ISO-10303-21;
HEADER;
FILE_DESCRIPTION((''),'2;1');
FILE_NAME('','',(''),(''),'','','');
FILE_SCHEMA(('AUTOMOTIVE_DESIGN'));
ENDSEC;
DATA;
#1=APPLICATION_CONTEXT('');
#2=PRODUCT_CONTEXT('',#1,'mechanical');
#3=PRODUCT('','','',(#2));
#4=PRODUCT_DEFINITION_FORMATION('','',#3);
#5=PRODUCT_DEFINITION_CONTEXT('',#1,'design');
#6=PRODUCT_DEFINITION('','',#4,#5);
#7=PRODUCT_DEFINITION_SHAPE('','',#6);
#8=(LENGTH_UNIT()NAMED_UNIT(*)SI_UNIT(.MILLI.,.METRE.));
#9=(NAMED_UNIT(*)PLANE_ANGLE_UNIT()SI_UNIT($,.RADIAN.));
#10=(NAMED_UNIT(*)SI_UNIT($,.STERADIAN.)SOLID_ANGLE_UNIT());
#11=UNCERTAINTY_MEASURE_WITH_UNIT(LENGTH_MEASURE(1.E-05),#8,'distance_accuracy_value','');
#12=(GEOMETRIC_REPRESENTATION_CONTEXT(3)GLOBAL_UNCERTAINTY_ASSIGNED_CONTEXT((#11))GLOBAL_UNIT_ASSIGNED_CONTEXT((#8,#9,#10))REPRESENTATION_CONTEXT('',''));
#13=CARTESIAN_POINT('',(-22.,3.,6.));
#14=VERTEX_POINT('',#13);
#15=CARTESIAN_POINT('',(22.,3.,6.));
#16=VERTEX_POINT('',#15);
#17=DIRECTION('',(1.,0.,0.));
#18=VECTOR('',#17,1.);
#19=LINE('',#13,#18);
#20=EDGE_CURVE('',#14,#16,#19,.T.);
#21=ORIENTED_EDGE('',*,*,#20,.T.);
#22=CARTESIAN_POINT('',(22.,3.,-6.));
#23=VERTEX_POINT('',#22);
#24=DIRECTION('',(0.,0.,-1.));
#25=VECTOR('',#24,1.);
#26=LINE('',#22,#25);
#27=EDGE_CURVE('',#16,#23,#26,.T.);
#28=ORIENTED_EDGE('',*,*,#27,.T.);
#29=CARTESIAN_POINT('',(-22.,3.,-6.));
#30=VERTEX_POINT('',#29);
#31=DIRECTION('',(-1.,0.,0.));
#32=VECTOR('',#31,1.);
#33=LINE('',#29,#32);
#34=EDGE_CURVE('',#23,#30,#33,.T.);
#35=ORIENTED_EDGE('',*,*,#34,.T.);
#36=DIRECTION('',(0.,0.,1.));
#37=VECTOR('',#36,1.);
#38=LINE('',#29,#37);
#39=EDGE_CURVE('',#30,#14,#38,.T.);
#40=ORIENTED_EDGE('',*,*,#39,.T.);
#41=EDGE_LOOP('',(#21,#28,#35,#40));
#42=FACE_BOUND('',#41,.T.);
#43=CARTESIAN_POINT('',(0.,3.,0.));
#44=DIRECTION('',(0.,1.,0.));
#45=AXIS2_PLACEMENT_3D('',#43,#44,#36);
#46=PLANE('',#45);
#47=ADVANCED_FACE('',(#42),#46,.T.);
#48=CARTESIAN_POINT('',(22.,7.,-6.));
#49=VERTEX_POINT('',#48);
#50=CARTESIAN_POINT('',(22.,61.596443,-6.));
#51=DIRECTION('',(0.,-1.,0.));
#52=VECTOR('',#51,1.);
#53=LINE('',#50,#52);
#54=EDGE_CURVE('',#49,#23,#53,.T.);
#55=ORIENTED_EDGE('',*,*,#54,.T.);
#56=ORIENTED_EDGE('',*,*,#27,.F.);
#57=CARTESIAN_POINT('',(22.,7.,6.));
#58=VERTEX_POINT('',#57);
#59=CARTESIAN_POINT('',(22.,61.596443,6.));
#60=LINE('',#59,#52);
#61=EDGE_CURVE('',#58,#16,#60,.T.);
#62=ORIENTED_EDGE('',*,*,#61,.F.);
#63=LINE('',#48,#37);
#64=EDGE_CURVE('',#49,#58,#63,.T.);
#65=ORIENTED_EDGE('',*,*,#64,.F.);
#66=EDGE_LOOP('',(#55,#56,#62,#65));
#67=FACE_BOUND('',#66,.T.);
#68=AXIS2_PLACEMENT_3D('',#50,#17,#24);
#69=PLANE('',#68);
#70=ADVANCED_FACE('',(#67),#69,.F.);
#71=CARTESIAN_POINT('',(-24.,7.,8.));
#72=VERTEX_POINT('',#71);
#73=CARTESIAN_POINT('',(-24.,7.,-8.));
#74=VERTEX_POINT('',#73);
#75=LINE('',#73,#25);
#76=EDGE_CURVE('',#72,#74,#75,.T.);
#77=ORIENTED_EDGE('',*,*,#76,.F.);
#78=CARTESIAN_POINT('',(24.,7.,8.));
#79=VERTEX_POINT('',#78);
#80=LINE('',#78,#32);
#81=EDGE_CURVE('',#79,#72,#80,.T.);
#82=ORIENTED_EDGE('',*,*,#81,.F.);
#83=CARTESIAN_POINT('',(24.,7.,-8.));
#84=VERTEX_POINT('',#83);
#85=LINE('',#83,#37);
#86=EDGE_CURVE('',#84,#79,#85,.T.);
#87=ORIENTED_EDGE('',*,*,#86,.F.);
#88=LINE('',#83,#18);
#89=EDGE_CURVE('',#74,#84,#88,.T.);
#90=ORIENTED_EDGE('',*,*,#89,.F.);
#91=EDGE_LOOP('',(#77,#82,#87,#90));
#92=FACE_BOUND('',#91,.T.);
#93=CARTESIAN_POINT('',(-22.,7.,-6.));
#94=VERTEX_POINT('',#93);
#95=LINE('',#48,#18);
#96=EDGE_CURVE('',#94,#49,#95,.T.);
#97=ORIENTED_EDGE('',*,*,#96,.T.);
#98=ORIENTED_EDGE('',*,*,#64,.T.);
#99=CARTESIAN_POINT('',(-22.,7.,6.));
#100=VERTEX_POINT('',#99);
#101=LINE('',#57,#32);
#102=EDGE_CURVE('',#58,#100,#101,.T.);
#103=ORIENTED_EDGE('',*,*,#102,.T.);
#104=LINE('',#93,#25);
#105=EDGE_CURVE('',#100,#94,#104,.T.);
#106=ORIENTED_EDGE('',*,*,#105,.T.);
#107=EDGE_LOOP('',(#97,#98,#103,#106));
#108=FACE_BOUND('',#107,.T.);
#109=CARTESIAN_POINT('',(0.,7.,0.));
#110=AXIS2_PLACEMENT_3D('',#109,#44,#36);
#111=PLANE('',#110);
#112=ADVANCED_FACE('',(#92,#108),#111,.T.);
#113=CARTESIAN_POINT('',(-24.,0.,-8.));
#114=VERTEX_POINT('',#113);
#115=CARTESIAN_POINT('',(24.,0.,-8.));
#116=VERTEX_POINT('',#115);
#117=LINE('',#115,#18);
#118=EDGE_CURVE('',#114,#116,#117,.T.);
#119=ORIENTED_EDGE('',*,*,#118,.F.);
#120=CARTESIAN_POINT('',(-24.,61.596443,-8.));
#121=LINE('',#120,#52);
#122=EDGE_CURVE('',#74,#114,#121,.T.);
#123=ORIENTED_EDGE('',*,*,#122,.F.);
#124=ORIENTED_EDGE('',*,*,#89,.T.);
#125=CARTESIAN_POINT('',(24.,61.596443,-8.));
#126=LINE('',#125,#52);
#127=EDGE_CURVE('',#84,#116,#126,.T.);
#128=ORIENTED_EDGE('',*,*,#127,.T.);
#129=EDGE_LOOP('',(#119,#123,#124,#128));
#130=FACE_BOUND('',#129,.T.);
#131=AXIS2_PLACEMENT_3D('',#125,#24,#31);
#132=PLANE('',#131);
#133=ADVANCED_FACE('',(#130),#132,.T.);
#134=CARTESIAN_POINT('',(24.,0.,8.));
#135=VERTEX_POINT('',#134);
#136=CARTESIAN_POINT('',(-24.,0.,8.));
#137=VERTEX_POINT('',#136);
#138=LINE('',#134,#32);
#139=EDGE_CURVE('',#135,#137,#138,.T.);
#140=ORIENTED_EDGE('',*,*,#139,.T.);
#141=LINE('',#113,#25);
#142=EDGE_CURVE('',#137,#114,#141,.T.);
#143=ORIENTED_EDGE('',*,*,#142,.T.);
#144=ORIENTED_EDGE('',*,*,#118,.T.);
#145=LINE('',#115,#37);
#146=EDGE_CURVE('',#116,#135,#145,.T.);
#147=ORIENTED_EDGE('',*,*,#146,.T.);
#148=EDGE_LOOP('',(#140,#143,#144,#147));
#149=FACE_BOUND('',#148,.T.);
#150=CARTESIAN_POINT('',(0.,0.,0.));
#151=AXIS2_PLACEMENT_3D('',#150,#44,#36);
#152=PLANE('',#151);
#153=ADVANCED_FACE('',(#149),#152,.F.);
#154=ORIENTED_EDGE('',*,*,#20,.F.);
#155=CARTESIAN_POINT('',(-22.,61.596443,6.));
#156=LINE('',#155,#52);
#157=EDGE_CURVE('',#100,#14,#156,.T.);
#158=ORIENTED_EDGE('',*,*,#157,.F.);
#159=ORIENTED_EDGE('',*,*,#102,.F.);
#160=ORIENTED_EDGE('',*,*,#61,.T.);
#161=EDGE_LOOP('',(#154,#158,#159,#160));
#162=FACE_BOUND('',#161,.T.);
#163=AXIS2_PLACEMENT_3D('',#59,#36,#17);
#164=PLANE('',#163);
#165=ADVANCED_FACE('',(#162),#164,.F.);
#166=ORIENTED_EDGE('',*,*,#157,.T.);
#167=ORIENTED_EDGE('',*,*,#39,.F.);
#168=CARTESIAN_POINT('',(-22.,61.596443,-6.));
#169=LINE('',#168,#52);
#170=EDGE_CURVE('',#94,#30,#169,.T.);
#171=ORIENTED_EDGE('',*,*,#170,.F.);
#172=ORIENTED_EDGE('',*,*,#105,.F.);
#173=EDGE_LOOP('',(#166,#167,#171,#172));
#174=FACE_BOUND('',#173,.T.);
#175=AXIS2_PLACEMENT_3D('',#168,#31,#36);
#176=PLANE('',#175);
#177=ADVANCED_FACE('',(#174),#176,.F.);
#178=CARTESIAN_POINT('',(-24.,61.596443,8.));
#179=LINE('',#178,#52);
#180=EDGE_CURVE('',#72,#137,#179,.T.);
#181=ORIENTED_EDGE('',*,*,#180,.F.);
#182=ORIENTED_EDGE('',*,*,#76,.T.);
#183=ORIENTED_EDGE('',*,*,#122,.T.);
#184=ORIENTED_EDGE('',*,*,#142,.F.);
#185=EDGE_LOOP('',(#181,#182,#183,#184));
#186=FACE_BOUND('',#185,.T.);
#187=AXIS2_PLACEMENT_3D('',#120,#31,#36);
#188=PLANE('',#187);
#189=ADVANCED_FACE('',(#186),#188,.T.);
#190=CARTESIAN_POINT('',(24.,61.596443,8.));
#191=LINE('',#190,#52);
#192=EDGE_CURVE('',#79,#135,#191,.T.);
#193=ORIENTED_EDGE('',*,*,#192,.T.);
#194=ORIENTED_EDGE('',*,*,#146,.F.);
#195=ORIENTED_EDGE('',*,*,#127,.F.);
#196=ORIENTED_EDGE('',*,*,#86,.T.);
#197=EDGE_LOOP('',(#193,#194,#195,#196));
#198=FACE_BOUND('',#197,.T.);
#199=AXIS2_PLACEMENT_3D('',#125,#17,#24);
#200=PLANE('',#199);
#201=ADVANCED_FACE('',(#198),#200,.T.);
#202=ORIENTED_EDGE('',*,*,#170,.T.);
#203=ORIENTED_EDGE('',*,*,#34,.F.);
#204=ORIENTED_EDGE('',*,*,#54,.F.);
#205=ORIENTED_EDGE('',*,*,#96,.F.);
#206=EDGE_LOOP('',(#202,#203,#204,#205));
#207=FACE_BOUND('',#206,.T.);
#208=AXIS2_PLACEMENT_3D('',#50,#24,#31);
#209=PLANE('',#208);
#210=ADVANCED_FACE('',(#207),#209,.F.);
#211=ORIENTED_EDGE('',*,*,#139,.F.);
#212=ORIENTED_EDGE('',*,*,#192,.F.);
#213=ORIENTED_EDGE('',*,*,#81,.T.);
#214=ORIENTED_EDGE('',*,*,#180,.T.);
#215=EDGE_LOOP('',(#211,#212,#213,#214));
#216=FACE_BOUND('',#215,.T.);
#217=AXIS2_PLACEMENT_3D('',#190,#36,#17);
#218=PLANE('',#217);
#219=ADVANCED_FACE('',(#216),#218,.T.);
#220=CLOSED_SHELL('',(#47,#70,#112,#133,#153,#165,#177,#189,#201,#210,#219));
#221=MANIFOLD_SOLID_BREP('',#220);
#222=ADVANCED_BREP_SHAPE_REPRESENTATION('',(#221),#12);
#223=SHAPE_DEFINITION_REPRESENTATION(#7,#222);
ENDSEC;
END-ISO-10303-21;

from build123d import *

# Parameters (mm, degrees)
SKETCH1_W           = 44
SKETCH1_H           = 12
BOSS_EXTRUDE1_DEPTH = 3
SKETCH2_W           = 48
SKETCH2_H           = 16
SKETCH2_W_2         = 44
SKETCH2_H_2         = 12
BOSS_EXTRUDE2_DEPTH = 7


with BuildPart() as part:
    # Sketch1 → Boss-Extrude1 (new body)
    with BuildSketch(Plane(origin=(0, 0, 0), x_dir=(1, 0, 0), z_dir=(0, 1, 0))):
        Rectangle(SKETCH1_W, SKETCH1_H)
    extrude(amount=BOSS_EXTRUDE1_DEPTH)

    # Sketch2 → Boss-Extrude2 (add)
    with BuildSketch(Plane.XZ):
        Rectangle(SKETCH2_W, SKETCH2_H)
        Rectangle(SKETCH2_W_2, SKETCH2_H_2, mode=Mode.SUBTRACT)
    extrude(amount=-BOSS_EXTRUDE2_DEPTH)


solid = part.part
